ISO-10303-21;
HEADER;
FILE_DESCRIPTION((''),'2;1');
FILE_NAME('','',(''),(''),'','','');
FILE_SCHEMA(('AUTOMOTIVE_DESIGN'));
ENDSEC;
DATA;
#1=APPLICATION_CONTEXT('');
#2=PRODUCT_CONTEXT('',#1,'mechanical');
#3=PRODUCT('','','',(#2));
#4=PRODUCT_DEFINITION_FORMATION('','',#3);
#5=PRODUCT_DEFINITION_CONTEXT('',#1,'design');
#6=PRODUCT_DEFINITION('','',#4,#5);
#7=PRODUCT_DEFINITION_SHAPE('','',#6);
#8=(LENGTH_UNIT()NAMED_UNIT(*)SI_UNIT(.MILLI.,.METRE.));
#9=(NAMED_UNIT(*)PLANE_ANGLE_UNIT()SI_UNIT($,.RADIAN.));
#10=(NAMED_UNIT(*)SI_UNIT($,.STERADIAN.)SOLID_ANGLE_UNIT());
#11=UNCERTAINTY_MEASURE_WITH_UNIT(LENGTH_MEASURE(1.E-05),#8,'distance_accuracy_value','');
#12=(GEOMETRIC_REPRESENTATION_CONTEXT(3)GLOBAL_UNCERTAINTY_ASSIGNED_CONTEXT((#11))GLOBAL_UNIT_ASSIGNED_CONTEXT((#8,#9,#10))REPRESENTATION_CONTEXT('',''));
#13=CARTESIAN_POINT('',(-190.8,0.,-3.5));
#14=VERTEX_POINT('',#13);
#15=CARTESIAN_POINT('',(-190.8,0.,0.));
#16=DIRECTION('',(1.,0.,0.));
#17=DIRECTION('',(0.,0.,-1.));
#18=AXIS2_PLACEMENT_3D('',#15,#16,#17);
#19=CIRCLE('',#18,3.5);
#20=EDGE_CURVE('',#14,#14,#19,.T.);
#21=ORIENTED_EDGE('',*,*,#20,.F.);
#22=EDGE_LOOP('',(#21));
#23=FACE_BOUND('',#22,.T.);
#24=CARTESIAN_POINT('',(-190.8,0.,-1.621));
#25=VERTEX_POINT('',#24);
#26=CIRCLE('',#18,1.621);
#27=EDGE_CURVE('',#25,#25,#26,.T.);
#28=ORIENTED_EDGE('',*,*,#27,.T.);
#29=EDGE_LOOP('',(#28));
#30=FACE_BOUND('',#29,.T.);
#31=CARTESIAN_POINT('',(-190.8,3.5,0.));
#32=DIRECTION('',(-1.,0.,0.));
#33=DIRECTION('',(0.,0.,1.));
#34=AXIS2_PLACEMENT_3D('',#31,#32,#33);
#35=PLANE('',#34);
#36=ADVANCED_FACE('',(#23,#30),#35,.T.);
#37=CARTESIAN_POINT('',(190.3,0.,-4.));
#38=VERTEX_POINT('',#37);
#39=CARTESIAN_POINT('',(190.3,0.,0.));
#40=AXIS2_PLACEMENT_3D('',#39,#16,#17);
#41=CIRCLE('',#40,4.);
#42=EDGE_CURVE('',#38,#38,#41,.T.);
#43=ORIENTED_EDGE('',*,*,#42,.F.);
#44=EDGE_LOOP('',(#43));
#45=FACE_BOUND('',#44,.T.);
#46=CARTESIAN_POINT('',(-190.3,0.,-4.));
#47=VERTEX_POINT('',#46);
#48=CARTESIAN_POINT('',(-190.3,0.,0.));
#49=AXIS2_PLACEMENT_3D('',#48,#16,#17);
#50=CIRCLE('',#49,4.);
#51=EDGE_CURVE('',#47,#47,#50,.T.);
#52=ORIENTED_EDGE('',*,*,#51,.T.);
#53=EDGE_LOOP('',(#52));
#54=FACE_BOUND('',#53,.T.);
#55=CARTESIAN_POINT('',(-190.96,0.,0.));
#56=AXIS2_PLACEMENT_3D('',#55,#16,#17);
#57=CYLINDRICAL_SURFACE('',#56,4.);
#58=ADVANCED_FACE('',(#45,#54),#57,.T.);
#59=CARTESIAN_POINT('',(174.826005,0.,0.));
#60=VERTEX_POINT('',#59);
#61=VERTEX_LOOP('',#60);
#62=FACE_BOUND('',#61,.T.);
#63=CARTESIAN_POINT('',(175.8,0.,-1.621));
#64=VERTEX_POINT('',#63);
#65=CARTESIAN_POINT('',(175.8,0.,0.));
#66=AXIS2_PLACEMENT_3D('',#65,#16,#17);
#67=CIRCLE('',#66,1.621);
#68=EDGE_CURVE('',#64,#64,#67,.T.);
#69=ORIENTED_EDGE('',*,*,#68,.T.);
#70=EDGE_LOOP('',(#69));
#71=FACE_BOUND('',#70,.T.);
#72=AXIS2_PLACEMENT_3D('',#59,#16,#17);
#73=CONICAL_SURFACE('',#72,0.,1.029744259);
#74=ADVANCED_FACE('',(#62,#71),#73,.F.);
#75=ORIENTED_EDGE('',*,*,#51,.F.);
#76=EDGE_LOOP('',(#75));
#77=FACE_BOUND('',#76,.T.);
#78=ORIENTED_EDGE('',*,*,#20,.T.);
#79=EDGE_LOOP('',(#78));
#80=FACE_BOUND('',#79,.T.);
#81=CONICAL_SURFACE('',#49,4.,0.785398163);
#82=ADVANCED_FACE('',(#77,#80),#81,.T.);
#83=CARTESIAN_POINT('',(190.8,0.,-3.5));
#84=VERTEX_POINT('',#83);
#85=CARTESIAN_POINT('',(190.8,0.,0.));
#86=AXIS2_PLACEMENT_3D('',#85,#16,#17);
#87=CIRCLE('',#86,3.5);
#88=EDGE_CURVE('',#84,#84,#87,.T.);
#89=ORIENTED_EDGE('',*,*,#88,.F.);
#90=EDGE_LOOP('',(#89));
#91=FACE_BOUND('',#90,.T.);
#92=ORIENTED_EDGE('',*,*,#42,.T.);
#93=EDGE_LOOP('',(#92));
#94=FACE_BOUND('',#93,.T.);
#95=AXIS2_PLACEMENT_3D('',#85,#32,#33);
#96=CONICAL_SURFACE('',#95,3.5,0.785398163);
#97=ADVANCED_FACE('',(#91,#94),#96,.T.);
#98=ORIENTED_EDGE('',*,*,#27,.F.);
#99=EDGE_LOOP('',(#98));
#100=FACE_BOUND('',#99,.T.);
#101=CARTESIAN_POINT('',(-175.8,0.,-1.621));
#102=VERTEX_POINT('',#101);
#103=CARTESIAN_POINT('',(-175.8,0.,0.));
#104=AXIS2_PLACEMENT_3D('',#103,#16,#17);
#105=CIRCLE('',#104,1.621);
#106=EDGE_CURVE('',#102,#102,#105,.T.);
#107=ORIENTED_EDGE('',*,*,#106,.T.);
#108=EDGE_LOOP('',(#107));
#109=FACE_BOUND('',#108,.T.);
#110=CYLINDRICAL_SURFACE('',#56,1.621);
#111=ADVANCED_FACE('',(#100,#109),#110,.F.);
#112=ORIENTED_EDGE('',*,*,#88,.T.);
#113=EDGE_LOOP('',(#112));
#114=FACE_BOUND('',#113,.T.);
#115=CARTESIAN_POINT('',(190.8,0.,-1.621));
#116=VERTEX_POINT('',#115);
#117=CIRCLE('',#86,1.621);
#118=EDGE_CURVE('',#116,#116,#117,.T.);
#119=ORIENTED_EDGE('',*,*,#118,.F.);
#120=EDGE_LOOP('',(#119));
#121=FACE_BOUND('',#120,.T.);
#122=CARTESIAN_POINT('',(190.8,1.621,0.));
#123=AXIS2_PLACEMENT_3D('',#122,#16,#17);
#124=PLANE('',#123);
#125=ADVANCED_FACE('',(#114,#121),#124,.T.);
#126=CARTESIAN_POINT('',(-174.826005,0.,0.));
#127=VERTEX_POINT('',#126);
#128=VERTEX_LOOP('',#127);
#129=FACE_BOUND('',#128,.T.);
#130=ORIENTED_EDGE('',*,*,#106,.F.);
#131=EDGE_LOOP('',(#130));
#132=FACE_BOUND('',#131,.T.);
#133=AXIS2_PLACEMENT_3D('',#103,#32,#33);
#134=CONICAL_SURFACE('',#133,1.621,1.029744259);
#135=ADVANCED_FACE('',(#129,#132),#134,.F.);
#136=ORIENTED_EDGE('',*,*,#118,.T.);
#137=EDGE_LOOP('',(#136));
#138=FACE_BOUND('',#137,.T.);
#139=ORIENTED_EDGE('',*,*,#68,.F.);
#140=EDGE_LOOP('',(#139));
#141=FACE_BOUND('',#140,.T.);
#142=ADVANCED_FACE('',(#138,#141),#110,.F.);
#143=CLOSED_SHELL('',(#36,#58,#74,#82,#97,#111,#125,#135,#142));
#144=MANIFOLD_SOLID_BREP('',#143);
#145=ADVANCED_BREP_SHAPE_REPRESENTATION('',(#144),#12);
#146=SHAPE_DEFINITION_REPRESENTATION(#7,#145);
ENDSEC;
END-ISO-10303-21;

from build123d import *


with BuildPart() as part:
    # Sketch1 → Revolve1 (revolve)
    with BuildSketch(Plane.XY, mode=Mode.PRIVATE) as revolve1_sk:
        Polygon((-175.8, 1.621), (-174.826004937, 0), (174.826004937, 0), (175.8, 1.621), (190.8, 1.621), (190.8, 3.5), (190.3, 4), (-190.3, 4), (-190.8, 3.5), (-190.8, 1.621), align=None)
    revolve(revolve1_sk.sketch.rotate(Axis((-190.96, 0, 0), (1, 0, 0)), 270), axis=Axis((-190.96, 0, 0), (1, 0, 0)))


solid = part.part
